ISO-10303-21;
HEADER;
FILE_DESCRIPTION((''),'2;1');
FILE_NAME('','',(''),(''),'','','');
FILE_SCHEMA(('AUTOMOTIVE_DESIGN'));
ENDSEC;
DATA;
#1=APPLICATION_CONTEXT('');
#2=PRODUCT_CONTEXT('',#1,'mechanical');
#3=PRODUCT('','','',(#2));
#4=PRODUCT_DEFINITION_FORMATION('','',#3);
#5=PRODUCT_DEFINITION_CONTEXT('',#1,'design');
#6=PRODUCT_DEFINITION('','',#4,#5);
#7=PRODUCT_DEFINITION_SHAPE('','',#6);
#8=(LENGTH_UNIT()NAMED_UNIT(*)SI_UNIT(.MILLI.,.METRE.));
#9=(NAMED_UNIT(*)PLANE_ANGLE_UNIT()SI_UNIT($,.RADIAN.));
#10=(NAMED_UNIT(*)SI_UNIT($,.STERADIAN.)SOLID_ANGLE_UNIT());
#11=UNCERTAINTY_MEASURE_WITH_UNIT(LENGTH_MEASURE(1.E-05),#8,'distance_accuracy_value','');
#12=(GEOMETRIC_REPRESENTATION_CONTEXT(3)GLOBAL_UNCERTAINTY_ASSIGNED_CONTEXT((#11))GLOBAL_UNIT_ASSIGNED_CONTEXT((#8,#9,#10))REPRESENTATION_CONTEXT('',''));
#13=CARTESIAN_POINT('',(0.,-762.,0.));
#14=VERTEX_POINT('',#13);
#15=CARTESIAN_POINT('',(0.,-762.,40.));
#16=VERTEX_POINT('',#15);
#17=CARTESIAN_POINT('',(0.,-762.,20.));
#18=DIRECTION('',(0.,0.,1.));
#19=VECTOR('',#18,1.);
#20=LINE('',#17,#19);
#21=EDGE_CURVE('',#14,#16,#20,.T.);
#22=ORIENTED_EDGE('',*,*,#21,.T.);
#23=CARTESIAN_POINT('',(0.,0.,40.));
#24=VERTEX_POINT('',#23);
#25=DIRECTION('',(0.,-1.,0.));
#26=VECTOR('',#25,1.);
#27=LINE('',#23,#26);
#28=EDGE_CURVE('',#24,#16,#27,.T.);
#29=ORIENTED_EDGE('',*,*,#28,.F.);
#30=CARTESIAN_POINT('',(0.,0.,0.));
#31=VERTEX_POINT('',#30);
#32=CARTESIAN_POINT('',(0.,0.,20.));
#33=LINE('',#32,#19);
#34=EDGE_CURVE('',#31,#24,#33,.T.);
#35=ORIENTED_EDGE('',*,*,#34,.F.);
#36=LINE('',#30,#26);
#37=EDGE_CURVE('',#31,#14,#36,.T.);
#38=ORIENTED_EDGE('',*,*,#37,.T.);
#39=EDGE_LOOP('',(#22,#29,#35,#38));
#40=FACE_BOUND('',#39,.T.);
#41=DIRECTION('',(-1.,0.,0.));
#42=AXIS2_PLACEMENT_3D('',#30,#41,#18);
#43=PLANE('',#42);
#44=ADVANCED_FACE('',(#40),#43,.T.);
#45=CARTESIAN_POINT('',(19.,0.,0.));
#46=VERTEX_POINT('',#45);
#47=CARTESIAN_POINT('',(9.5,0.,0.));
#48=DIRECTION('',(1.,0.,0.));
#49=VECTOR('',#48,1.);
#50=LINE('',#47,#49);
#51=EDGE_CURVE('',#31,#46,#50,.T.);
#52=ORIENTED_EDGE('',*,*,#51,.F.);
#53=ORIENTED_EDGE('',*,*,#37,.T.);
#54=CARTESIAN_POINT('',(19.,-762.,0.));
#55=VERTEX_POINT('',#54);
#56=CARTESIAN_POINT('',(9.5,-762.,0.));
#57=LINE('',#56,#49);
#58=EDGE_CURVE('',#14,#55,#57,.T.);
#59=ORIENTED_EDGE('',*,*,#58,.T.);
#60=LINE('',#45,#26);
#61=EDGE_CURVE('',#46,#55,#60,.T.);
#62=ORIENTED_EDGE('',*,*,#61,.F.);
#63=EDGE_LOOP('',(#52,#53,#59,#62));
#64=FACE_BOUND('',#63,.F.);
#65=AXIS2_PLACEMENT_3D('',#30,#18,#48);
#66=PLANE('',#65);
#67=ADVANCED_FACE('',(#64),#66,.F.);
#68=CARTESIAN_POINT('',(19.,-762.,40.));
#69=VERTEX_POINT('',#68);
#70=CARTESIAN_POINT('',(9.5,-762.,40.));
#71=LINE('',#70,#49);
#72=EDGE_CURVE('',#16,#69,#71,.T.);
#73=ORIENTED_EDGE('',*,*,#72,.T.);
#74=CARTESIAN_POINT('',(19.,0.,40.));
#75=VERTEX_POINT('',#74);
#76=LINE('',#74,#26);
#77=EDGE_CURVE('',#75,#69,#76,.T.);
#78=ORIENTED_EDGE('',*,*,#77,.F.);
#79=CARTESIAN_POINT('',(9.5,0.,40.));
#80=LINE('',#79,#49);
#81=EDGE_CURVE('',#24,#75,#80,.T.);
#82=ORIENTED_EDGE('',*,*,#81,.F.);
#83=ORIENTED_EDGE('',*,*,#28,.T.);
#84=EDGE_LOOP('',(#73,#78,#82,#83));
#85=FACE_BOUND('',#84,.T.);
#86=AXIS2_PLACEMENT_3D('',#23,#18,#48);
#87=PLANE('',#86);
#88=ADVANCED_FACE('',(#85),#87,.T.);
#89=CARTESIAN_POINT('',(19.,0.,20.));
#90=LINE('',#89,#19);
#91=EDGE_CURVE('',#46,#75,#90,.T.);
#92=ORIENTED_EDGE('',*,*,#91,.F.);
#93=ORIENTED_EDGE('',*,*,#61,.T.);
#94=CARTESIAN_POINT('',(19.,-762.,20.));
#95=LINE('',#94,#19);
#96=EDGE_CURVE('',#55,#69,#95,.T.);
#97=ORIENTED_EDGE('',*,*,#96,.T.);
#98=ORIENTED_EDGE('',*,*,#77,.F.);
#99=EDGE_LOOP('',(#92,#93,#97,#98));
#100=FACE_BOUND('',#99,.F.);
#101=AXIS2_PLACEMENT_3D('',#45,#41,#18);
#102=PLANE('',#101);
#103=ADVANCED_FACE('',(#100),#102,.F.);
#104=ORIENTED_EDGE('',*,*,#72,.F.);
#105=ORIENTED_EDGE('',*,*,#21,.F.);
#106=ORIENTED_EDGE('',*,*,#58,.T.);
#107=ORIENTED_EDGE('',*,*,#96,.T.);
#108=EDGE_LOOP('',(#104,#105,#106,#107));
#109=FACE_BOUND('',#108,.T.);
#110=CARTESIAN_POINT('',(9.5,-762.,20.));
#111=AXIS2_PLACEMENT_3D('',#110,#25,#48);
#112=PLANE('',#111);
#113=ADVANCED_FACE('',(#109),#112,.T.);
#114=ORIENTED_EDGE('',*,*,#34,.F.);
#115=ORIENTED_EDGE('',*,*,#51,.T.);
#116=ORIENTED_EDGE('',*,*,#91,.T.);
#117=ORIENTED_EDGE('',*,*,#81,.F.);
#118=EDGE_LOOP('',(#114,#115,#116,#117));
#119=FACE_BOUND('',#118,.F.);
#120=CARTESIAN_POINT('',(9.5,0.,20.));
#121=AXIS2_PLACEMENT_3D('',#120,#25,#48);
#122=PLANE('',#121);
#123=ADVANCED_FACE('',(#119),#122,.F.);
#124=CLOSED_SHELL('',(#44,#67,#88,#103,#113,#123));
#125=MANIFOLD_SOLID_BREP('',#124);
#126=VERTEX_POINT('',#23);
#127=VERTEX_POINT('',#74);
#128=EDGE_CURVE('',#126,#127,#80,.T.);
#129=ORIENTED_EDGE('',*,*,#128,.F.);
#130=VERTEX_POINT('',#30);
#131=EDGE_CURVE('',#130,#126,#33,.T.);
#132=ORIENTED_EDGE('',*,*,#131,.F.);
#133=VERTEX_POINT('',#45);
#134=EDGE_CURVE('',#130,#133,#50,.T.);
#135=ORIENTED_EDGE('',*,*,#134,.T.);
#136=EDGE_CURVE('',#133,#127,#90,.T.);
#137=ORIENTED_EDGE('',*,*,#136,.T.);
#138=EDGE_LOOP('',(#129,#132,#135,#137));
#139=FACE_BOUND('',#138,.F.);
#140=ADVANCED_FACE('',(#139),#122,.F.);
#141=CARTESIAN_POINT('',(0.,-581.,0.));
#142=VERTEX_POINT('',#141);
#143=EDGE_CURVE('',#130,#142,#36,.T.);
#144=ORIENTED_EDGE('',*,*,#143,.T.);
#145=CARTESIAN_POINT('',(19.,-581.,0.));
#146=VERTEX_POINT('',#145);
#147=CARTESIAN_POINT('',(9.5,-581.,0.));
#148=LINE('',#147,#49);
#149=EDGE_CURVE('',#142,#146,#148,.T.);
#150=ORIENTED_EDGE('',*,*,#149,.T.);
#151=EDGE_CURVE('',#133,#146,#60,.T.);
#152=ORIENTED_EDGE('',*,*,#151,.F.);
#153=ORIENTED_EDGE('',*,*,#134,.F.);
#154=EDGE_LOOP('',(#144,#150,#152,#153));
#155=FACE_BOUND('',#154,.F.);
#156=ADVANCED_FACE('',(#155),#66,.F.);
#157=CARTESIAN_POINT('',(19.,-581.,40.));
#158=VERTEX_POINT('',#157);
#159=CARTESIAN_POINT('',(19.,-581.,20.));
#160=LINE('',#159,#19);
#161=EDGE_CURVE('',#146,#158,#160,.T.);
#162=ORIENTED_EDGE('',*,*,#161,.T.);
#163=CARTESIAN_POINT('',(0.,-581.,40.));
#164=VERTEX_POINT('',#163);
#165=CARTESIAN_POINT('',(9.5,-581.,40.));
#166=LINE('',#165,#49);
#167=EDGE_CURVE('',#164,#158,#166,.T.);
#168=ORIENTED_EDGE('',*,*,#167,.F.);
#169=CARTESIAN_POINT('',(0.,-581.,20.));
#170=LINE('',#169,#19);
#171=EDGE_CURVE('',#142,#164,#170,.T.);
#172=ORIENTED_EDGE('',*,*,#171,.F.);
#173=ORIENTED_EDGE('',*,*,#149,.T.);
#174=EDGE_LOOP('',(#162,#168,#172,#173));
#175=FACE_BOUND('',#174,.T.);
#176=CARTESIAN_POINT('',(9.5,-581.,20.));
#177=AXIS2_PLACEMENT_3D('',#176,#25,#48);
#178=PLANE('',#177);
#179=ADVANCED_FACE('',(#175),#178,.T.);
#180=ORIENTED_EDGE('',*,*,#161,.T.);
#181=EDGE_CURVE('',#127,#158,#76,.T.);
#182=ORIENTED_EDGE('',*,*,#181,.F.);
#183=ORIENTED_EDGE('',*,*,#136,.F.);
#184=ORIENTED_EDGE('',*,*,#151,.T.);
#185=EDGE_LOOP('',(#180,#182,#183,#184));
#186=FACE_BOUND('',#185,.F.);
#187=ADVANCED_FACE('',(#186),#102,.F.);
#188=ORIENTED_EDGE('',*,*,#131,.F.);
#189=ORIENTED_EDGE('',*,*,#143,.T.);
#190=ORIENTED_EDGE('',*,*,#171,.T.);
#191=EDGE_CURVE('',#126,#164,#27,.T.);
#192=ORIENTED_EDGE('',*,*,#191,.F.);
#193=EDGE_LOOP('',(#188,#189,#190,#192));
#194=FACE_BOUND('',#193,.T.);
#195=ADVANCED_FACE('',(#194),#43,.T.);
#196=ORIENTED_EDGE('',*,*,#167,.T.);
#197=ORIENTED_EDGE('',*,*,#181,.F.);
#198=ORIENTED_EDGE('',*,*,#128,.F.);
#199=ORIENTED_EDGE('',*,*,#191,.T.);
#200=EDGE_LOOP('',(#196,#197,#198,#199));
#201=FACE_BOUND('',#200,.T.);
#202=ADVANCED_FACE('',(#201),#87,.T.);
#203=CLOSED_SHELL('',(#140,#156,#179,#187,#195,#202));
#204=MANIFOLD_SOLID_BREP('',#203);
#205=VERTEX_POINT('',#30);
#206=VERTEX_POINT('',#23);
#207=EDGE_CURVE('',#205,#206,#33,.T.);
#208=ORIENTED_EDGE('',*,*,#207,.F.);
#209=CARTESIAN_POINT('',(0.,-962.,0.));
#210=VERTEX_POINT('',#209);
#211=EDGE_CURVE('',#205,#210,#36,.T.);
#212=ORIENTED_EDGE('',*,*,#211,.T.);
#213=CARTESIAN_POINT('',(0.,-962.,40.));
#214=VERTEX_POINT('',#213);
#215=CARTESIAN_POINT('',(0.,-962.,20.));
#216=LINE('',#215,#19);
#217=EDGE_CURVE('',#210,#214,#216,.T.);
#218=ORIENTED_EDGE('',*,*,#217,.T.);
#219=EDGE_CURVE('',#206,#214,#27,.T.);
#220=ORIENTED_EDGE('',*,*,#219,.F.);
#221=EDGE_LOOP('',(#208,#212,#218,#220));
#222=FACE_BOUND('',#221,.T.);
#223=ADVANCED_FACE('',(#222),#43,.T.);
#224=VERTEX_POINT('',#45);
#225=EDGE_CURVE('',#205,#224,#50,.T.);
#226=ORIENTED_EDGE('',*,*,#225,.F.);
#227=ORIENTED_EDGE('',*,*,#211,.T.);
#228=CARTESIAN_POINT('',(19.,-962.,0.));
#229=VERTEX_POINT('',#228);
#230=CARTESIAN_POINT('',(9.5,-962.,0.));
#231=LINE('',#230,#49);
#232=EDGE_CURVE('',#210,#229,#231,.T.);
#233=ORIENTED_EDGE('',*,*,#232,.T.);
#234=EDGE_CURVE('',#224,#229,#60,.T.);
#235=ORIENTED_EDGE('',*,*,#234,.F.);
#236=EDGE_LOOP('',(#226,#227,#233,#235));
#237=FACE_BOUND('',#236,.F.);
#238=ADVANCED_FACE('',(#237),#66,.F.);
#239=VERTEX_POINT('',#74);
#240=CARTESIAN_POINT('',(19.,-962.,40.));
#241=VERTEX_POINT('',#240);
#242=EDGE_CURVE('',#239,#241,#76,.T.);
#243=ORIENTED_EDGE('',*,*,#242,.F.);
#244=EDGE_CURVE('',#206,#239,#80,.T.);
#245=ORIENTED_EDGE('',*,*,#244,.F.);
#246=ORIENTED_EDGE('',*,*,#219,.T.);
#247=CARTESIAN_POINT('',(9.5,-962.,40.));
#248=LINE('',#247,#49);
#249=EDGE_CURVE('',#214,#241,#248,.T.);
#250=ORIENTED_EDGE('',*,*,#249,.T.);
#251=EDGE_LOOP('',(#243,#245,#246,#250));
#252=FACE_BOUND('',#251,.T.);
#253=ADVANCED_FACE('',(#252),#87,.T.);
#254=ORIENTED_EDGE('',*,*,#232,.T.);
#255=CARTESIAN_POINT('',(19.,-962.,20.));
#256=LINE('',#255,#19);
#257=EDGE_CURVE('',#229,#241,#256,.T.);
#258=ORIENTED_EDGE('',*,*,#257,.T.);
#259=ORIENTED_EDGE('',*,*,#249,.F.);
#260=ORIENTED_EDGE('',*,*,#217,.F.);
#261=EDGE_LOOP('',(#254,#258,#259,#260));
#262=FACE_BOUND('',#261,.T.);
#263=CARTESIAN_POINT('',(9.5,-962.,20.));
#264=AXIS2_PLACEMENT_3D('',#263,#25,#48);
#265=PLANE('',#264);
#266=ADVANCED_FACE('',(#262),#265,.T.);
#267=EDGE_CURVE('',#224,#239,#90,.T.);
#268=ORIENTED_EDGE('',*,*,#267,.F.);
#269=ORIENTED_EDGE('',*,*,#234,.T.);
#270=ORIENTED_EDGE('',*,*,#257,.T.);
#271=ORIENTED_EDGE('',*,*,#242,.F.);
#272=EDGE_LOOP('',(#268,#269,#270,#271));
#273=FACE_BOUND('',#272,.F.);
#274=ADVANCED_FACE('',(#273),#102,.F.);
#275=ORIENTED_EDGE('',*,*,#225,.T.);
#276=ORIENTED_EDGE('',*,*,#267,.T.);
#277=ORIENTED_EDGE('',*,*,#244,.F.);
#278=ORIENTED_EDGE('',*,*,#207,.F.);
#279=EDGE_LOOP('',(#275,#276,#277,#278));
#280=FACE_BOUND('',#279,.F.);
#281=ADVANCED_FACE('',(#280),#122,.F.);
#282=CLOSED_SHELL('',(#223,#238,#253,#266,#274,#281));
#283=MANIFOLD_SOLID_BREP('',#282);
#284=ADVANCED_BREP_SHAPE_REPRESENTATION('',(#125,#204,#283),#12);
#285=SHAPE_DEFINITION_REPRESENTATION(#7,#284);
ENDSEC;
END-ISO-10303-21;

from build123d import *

# Parameters (mm, degrees)
F1_W     = 19
F1_H     = 40
F2_DEPTH = 762
F3_DEPTH = 581
F4_DEPTH = 962


with BuildPart() as f2:
    # F1 (on Front) → F2 (new body)
    with BuildSketch(Plane.XZ):
        with Locations((9.5, 20)):
            Rectangle(F1_W, F1_H)
    extrude(amount=F2_DEPTH)


with BuildPart() as f3:
    # F1 (on Front) → F3 (new body)
    with BuildSketch(Plane.XZ):
        with Locations((9.5, 20)):
            Rectangle(F1_W, F1_H)
    extrude(amount=F3_DEPTH)


with BuildPart() as f4:
    # F1 (on Front) → F4 (new body)
    with BuildSketch(Plane.XZ):
        with Locations((9.5, 20)):
            Rectangle(F1_W, F1_H)
    extrude(amount=F4_DEPTH)


solid = Compound([f2.part, f3.part, f4.part])
